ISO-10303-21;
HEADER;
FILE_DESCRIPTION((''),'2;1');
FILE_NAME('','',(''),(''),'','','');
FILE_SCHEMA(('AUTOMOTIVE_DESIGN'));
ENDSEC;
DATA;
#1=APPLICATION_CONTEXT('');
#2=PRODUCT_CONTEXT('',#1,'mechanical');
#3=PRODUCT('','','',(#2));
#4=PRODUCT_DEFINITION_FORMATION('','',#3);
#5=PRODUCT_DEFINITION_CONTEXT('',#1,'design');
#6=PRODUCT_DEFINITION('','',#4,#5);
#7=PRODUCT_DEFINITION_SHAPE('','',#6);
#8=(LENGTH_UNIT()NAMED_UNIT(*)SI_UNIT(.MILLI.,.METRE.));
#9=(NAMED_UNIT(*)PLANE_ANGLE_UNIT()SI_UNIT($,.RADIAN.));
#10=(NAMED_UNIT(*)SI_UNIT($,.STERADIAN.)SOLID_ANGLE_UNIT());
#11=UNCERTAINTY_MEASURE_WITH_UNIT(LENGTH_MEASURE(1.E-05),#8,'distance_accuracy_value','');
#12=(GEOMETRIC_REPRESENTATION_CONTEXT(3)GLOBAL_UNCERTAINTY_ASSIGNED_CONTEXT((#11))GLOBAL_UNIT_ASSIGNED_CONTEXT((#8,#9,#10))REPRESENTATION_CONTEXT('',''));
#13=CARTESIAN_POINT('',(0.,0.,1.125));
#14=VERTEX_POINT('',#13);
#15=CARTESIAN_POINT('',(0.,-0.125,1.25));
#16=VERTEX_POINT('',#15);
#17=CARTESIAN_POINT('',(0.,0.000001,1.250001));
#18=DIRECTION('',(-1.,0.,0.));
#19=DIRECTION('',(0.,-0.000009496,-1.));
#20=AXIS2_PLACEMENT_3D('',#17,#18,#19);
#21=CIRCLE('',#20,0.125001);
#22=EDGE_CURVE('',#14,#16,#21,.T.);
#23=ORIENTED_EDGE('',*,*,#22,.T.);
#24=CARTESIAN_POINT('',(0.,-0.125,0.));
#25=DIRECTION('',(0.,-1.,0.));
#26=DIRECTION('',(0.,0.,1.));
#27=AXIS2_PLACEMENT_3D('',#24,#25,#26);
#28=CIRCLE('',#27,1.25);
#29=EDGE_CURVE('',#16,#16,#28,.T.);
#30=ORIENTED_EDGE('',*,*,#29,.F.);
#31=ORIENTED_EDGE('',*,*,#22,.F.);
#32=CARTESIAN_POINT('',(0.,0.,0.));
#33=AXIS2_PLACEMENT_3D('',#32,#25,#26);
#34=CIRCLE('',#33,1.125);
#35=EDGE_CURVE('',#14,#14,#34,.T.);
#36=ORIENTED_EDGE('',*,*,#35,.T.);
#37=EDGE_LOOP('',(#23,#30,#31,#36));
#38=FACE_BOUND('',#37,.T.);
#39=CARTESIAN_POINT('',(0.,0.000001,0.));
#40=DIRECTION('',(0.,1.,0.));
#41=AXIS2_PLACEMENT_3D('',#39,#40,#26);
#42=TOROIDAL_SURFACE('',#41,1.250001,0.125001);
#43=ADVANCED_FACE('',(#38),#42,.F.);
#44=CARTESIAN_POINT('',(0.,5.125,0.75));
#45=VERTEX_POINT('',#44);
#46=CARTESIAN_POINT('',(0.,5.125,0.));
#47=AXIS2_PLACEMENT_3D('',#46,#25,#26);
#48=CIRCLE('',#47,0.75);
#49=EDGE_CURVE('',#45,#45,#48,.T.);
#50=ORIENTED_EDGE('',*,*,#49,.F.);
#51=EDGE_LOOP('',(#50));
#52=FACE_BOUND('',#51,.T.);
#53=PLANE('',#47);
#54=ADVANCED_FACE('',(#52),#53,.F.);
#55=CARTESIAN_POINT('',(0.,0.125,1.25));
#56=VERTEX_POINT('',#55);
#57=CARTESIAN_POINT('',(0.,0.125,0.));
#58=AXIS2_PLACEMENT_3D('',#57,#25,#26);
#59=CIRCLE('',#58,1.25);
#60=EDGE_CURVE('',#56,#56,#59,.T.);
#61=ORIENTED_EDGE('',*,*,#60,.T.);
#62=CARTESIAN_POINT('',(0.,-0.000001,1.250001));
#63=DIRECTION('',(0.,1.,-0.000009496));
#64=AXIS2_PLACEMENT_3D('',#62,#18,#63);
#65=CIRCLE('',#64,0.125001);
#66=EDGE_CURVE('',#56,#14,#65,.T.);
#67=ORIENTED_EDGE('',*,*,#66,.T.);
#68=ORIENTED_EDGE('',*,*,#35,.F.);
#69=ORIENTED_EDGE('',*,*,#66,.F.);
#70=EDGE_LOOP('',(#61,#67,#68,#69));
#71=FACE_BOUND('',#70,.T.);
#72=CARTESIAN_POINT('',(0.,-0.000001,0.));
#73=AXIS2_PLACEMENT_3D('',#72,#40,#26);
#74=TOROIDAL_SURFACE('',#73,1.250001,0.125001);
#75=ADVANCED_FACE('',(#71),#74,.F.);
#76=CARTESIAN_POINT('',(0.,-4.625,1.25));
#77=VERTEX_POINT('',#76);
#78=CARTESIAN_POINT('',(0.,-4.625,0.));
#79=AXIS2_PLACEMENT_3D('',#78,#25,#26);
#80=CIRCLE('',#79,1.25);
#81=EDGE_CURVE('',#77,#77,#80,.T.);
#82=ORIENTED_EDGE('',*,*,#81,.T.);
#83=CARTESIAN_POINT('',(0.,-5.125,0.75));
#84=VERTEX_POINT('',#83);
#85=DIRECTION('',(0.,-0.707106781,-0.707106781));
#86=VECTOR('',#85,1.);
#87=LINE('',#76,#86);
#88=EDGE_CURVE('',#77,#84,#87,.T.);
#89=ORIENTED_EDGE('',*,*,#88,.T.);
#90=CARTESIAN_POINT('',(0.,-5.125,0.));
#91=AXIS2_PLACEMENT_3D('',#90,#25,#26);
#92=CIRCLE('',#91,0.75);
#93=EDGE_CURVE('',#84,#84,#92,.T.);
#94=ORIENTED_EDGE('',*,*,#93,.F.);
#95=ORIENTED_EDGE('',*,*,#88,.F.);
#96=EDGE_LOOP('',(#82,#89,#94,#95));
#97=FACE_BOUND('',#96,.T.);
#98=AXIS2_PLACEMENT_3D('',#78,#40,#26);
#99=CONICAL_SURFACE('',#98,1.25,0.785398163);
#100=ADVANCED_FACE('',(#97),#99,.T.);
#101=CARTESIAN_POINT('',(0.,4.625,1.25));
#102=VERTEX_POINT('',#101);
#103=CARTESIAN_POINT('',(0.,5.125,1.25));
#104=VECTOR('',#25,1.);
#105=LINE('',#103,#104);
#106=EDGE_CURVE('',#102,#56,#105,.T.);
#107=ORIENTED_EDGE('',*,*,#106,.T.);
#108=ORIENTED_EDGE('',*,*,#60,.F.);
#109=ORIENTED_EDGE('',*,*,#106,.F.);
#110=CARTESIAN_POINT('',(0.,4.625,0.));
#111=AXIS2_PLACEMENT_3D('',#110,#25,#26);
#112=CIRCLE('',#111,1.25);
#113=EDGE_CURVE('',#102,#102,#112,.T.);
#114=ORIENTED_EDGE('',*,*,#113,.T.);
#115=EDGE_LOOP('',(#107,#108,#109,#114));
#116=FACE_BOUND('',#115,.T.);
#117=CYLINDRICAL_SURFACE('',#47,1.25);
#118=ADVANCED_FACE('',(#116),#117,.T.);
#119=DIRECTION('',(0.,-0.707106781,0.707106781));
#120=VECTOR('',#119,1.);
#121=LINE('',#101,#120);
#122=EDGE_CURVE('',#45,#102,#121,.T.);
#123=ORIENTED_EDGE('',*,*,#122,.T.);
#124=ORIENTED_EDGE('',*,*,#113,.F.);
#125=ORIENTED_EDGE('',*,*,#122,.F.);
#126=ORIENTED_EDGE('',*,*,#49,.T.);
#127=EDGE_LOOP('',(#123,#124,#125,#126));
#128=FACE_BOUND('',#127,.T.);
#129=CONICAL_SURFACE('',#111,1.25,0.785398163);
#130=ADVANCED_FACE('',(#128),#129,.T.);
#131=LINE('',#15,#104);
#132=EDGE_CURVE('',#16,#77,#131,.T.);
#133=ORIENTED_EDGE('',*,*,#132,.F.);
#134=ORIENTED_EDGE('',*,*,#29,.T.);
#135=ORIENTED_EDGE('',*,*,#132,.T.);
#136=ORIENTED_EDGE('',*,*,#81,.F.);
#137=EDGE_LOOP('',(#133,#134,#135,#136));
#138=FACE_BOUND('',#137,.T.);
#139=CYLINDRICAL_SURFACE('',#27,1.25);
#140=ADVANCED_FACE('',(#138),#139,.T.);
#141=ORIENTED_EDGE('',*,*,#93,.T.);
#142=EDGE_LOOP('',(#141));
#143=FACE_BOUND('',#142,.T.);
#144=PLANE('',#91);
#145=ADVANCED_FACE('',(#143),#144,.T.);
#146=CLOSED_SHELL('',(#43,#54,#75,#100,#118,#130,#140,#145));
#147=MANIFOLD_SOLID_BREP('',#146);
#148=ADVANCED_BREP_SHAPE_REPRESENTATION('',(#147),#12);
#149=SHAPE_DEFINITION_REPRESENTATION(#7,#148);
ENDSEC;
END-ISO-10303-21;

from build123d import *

# Parameters (mm, degrees)
F2_SIZE = 0.5


with BuildPart() as f1:
    # F0 (on Right) → F1 (revolve)
    with BuildSketch(Plane.YZ):
        with BuildLine():
            Line((-5.125, 0), (0, 0))
            Line((0, 0), (0, 1.125))
            ThreePointArc((0, 1.125), (-0.088388, 1.161612), (-0.125, 1.25))
            Line((-0.125, 1.25), (-5.125, 1.25))
            Line((-5.125, 1.25), (-5.125, 0))
        make_face()
        with BuildLine():
            Line((0, 1.125), (0, 0))
            Line((0, 0), (5.125, 0))
            Line((5.125, 0), (5.125, 1.25))
            Line((5.125, 1.25), (0.125, 1.25))
            ThreePointArc((0.125, 1.25), (0.088388, 1.161612), (0, 1.125))
        make_face()
    revolve(axis=Axis((0, 2.5625, 0), (0, -1, 0)))

    # F2
    f2_edges = [f1.edges().sort_by_distance(p)[0] for p in [
        (0, -5.125, -1.25),
        (0, 5.125, -1.25),
    ]]
    chamfer(f2_edges, length=F2_SIZE)


solid = f1.part
